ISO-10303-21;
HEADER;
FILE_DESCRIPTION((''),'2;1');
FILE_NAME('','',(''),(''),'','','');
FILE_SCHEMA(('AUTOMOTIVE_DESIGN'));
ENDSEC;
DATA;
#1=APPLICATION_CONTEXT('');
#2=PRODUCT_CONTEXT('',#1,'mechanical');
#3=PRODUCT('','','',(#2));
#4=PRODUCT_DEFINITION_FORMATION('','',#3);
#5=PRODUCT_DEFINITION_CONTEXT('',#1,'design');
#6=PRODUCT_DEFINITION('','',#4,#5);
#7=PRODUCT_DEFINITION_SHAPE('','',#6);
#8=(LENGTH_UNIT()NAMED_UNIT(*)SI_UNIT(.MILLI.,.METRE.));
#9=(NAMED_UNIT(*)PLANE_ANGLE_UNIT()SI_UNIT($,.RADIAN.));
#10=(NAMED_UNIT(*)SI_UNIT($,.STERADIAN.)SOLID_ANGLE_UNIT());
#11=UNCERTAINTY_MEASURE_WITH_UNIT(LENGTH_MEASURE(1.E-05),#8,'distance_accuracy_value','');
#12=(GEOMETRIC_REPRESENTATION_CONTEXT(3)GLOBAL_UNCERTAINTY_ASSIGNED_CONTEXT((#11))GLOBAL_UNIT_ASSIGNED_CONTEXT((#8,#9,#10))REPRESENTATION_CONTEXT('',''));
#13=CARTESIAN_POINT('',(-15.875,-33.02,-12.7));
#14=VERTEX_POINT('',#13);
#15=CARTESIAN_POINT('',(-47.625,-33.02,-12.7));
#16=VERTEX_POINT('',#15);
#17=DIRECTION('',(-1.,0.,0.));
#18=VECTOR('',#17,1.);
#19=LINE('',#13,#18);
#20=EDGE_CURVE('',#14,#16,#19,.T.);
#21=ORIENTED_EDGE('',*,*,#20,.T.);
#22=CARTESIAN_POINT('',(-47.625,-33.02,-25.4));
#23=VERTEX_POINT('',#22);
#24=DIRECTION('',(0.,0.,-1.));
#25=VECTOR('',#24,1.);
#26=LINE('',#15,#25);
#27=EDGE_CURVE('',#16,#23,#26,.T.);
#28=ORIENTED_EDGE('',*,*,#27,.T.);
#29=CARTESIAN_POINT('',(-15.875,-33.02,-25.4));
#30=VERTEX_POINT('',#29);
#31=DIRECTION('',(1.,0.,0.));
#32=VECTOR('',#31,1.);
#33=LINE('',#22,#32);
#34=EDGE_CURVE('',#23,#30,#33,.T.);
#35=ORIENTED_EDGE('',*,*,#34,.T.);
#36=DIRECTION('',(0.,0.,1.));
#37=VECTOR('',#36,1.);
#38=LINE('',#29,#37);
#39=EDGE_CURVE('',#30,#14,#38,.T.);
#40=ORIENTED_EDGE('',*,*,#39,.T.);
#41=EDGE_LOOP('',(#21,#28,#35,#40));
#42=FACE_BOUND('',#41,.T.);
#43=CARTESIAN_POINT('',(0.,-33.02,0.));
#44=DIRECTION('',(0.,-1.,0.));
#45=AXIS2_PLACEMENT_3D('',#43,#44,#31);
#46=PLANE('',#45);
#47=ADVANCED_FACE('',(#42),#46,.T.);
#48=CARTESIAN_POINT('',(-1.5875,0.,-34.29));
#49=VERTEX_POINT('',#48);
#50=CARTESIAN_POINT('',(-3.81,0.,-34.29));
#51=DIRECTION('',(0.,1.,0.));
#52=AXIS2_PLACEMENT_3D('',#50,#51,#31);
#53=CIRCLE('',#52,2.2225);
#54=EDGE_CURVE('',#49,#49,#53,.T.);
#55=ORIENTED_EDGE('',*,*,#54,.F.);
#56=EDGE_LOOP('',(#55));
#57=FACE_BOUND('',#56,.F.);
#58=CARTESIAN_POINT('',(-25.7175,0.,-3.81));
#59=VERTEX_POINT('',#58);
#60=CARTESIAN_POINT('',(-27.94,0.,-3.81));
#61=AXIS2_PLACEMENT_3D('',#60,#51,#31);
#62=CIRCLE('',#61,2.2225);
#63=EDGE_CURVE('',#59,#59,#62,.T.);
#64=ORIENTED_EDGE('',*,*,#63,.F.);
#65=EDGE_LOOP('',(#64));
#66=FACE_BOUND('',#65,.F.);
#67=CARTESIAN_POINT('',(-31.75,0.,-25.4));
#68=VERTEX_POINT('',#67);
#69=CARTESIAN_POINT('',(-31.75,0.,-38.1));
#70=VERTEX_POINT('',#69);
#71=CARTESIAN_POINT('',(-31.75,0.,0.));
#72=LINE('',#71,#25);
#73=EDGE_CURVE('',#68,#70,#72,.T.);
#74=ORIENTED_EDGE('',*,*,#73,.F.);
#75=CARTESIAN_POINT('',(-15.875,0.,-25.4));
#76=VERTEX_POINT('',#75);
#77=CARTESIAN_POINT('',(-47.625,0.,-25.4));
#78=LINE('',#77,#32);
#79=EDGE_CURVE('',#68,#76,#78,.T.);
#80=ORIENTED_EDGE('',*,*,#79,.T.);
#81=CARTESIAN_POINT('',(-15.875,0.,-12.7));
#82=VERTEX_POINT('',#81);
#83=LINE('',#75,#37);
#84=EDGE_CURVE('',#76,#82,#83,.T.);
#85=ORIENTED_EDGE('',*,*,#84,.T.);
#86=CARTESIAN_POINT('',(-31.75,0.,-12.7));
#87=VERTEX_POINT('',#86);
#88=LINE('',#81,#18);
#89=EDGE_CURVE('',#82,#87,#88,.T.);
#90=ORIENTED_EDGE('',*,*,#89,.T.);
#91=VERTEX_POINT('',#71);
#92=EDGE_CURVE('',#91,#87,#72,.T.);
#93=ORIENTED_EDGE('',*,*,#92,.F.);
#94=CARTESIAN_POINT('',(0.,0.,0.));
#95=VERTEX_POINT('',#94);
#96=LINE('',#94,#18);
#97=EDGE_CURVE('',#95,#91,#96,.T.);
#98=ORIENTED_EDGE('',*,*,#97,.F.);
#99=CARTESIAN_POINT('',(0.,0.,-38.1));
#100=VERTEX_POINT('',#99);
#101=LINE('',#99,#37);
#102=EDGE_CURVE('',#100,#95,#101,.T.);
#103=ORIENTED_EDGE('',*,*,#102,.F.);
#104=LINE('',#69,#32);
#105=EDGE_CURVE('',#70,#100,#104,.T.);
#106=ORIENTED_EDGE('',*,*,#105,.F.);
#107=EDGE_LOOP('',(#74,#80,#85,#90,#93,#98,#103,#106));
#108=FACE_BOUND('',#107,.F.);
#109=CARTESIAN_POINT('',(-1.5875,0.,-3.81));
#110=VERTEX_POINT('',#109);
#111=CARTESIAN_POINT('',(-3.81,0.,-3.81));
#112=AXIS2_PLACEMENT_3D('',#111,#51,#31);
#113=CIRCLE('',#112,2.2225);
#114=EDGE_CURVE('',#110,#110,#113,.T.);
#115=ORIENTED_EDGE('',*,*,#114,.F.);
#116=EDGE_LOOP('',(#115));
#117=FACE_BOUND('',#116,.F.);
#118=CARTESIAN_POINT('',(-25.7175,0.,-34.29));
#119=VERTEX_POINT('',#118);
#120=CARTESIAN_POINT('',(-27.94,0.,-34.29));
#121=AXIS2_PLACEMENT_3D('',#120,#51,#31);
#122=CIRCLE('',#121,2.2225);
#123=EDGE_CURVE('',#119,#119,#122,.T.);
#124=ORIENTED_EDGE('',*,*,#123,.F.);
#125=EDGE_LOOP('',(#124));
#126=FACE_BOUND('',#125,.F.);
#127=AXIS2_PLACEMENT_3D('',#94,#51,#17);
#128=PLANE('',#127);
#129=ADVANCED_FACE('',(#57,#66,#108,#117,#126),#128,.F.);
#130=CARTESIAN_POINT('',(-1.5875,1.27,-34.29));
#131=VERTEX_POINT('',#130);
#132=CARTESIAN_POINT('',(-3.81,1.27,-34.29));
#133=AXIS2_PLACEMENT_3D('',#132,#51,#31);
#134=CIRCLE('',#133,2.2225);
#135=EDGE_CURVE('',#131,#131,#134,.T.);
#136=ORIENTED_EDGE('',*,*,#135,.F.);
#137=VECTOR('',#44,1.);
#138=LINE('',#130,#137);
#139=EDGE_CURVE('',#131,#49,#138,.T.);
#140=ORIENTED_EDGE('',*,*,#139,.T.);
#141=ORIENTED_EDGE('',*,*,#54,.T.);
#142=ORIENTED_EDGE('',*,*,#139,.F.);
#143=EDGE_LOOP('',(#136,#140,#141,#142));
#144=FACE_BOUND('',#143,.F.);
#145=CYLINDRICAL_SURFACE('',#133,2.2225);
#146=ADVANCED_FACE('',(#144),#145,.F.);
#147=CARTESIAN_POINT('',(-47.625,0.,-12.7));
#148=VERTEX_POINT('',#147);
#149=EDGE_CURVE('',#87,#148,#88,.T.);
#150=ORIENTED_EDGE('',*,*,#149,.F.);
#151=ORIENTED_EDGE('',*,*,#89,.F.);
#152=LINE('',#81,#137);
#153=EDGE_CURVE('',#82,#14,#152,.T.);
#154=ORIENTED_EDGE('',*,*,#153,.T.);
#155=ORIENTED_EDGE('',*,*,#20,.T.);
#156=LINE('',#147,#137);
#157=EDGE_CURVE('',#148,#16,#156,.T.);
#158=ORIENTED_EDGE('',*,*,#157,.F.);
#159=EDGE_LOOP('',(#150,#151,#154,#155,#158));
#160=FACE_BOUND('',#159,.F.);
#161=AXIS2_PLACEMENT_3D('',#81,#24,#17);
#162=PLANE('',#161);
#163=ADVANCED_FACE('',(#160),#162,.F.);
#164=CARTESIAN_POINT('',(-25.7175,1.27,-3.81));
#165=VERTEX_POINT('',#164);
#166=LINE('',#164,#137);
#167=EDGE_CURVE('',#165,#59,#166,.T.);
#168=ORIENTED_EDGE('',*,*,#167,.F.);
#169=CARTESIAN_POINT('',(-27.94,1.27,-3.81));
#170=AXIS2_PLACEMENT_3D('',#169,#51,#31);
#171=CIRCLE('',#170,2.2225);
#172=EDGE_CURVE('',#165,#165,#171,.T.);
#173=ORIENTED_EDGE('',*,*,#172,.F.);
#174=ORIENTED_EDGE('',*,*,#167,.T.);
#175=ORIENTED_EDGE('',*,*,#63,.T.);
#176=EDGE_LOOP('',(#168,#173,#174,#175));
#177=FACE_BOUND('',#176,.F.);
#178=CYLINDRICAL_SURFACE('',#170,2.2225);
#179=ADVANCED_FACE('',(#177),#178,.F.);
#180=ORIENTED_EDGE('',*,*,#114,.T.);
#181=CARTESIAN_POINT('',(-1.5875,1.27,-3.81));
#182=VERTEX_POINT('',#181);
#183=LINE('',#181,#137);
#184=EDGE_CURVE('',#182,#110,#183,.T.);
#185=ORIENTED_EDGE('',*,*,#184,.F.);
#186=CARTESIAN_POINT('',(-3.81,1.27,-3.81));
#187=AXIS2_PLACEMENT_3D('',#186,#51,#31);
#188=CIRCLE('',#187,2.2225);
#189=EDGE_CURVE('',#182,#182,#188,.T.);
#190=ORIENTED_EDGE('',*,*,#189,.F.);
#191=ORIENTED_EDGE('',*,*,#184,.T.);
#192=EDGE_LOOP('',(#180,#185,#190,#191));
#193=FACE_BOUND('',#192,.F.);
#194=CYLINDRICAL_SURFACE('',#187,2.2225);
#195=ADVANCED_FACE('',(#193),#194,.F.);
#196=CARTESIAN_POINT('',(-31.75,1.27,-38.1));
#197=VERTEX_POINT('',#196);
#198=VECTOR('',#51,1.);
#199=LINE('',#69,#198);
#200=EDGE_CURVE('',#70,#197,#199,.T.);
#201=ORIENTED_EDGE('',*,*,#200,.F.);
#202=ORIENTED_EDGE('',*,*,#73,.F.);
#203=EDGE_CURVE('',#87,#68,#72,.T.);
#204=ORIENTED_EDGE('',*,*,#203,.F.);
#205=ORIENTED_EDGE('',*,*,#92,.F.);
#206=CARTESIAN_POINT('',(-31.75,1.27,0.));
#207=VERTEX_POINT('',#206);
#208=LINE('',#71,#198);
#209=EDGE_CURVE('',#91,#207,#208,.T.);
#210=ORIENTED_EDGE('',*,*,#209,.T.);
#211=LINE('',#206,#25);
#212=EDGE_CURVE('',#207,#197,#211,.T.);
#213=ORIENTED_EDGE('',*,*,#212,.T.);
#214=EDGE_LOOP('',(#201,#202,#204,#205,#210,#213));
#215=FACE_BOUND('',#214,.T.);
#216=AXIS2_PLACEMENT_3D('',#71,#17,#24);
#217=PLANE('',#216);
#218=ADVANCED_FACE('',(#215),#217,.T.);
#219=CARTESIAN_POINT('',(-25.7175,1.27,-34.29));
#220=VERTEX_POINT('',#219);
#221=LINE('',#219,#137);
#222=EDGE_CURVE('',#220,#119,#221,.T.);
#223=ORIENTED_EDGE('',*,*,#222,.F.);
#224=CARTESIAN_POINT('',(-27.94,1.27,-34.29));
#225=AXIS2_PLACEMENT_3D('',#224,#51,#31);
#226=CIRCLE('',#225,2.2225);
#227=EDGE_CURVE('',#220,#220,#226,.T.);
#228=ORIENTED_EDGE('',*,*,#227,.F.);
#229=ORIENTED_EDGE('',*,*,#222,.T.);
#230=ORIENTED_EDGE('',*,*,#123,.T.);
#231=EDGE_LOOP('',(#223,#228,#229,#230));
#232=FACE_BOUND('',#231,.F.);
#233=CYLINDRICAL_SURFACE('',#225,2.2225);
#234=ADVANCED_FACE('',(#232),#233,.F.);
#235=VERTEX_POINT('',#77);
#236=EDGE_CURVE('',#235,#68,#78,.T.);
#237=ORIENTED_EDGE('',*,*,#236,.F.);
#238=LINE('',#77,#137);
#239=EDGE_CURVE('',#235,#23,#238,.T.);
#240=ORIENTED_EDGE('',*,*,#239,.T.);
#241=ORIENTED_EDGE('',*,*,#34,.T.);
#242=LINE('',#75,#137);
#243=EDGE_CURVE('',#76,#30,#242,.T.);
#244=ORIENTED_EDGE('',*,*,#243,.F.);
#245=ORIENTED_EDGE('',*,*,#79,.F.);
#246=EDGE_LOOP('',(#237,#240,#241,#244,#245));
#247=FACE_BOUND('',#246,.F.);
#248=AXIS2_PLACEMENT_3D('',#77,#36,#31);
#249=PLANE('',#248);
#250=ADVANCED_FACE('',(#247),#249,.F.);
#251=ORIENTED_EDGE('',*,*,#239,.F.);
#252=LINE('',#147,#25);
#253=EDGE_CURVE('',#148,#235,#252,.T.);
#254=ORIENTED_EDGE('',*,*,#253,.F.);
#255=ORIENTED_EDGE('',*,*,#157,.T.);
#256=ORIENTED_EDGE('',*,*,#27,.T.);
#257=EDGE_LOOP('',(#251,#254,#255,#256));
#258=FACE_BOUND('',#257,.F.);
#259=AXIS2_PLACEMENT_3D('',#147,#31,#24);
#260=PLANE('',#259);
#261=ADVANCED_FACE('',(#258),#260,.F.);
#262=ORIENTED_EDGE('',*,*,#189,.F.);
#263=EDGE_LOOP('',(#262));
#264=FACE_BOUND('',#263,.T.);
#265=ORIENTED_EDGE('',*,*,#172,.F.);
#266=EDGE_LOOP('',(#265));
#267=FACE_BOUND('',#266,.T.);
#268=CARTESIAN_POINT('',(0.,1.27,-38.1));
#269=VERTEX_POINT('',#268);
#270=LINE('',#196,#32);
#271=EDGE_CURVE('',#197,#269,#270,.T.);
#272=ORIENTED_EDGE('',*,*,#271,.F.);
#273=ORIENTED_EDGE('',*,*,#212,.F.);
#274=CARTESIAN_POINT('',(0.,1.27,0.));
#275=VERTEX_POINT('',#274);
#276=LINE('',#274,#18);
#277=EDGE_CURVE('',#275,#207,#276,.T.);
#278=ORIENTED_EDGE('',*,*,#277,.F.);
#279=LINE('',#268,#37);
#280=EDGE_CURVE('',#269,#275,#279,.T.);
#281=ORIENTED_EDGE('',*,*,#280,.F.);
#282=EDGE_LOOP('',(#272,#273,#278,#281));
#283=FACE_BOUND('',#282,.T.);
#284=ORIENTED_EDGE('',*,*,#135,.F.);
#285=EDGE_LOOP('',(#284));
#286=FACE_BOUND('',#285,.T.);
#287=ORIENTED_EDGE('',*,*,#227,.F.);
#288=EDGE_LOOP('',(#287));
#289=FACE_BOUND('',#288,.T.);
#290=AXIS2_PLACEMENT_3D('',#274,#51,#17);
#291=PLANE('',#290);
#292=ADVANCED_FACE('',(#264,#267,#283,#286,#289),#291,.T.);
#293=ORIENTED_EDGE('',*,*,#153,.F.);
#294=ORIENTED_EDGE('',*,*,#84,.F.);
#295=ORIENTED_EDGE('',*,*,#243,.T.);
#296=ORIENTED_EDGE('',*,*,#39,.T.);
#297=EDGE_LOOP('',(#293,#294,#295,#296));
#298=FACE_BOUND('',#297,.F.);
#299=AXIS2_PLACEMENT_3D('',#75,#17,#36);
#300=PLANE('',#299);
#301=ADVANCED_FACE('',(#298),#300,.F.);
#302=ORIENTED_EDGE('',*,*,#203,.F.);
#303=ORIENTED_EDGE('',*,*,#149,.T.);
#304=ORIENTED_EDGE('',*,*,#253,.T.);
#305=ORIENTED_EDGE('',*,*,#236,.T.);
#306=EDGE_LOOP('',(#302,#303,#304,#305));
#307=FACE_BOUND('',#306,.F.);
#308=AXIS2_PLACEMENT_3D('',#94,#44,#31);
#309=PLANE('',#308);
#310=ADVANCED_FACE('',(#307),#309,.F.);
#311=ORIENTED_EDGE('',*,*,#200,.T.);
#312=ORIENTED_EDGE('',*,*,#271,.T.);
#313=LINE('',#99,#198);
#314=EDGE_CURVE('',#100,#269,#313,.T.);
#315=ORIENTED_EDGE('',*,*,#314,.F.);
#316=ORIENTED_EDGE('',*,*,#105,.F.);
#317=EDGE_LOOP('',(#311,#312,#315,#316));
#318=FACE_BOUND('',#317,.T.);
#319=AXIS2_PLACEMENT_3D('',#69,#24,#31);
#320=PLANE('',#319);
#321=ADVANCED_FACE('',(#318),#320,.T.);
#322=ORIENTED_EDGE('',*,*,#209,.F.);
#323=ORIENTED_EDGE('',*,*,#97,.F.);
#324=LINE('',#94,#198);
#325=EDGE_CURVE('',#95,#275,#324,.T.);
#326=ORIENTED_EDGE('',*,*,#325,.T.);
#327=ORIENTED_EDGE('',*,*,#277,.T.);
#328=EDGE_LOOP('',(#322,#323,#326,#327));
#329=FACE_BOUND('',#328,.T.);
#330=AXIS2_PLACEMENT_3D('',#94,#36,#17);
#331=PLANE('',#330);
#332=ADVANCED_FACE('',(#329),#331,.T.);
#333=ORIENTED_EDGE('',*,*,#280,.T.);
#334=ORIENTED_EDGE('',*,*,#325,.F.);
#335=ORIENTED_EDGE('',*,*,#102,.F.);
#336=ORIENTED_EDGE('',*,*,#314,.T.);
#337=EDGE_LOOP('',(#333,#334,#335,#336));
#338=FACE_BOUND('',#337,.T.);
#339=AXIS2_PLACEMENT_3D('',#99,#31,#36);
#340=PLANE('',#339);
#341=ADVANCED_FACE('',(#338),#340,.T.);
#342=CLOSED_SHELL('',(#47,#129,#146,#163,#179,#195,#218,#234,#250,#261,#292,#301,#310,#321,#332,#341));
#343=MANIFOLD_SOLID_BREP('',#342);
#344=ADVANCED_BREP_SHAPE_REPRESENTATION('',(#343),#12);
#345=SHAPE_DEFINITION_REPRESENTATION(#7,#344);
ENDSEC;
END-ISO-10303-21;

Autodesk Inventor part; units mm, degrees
ref_plane "YZ Plane" through (0, 0, 0) normal (1, 0, 0) x (0, 1, 0)
ref_plane "XZ Plane" through (0, 0, 0) normal (0, 1, 0) x (-1, 0, 0)
ref_plane "XY Plane" through (0, 0, 0) normal (0, 0, 1) x (1, 0, 0)
sketch "Sketch1" plane through (0, 0, 0) normal (0, 1, 0) x (-1, 0, 0)
  line L0 (0, 0) -> (31.75, 0)
  line L1 (31.75, 0) -> (31.75, -38.1)
  line L2 (31.75, -38.1) -> (0, -38.1)
  line L3 (0, -38.1) -> (0, 0)
  dimension "d0" = 38.1
  dimension "d1" = 31.75
extrude "Extrusion1" add sketch "Sketch1" along normal blind 1.27
sketch "Sketch2" plane through (0, 1.27, 0) normal (0, 1, 0) x (1, 0, 0)
  circle A0 centre (-27.94, 3.81) radius 2.2225
  line L0 (-31.75, 38.1) -> (-31.75, 0) projected
  line L1 (-31.75, 19.05) -> (0, 19.05) construction
  line L2 (-31.75, 0) -> (0, 0) projected
  line L3 (-15.875, 0) -> (-15.875, 38.1) construction
  line L4 (0, 38.1) -> (-31.75, 38.1) projected
  circle A1 centre (-27.94, 34.29) radius 2.2225
  circle A2 centre (-3.81, 3.81) radius 2.2225
  circle A3 centre (-3.81, 34.29) radius 2.2225
  point P0 (-15.875, 19.05)
  dimension "d4" = 3.81
  dimension "d5" = 3.81
  dimension "d6" = 4.445
extrude "Extrusion2" cut sketch "Sketch2" against normal blind 1.27
sketch "Sketch3" plane through (0, 0, 0) normal (0, -1, 0) x (1, 0, 0)
  line L0 (-15.875, -25.4) -> (-15.875, -12.7)
  line L1 (-31.75, -38.1) -> (0, -38.1) projected
  line L2 (0, -38.1) -> (0, 0) projected
  line L3 (-15.875, -12.7) -> (-47.625, -12.7)
  line L4 (-47.625, -12.7) -> (-47.625, -25.4)
  line L5 (-47.625, -25.4) -> (-15.875, -25.4)
  line L6 (-15.875, -25.4) -> (-15.875, -12.7)
  dimension "d9" = 12.7
  dimension "d14" = 15.875
  dimension "d15" = 31.75
extrude "Extrusion3" add sketch "Sketch3" along normal blind 33.02
properties part number "caster"
